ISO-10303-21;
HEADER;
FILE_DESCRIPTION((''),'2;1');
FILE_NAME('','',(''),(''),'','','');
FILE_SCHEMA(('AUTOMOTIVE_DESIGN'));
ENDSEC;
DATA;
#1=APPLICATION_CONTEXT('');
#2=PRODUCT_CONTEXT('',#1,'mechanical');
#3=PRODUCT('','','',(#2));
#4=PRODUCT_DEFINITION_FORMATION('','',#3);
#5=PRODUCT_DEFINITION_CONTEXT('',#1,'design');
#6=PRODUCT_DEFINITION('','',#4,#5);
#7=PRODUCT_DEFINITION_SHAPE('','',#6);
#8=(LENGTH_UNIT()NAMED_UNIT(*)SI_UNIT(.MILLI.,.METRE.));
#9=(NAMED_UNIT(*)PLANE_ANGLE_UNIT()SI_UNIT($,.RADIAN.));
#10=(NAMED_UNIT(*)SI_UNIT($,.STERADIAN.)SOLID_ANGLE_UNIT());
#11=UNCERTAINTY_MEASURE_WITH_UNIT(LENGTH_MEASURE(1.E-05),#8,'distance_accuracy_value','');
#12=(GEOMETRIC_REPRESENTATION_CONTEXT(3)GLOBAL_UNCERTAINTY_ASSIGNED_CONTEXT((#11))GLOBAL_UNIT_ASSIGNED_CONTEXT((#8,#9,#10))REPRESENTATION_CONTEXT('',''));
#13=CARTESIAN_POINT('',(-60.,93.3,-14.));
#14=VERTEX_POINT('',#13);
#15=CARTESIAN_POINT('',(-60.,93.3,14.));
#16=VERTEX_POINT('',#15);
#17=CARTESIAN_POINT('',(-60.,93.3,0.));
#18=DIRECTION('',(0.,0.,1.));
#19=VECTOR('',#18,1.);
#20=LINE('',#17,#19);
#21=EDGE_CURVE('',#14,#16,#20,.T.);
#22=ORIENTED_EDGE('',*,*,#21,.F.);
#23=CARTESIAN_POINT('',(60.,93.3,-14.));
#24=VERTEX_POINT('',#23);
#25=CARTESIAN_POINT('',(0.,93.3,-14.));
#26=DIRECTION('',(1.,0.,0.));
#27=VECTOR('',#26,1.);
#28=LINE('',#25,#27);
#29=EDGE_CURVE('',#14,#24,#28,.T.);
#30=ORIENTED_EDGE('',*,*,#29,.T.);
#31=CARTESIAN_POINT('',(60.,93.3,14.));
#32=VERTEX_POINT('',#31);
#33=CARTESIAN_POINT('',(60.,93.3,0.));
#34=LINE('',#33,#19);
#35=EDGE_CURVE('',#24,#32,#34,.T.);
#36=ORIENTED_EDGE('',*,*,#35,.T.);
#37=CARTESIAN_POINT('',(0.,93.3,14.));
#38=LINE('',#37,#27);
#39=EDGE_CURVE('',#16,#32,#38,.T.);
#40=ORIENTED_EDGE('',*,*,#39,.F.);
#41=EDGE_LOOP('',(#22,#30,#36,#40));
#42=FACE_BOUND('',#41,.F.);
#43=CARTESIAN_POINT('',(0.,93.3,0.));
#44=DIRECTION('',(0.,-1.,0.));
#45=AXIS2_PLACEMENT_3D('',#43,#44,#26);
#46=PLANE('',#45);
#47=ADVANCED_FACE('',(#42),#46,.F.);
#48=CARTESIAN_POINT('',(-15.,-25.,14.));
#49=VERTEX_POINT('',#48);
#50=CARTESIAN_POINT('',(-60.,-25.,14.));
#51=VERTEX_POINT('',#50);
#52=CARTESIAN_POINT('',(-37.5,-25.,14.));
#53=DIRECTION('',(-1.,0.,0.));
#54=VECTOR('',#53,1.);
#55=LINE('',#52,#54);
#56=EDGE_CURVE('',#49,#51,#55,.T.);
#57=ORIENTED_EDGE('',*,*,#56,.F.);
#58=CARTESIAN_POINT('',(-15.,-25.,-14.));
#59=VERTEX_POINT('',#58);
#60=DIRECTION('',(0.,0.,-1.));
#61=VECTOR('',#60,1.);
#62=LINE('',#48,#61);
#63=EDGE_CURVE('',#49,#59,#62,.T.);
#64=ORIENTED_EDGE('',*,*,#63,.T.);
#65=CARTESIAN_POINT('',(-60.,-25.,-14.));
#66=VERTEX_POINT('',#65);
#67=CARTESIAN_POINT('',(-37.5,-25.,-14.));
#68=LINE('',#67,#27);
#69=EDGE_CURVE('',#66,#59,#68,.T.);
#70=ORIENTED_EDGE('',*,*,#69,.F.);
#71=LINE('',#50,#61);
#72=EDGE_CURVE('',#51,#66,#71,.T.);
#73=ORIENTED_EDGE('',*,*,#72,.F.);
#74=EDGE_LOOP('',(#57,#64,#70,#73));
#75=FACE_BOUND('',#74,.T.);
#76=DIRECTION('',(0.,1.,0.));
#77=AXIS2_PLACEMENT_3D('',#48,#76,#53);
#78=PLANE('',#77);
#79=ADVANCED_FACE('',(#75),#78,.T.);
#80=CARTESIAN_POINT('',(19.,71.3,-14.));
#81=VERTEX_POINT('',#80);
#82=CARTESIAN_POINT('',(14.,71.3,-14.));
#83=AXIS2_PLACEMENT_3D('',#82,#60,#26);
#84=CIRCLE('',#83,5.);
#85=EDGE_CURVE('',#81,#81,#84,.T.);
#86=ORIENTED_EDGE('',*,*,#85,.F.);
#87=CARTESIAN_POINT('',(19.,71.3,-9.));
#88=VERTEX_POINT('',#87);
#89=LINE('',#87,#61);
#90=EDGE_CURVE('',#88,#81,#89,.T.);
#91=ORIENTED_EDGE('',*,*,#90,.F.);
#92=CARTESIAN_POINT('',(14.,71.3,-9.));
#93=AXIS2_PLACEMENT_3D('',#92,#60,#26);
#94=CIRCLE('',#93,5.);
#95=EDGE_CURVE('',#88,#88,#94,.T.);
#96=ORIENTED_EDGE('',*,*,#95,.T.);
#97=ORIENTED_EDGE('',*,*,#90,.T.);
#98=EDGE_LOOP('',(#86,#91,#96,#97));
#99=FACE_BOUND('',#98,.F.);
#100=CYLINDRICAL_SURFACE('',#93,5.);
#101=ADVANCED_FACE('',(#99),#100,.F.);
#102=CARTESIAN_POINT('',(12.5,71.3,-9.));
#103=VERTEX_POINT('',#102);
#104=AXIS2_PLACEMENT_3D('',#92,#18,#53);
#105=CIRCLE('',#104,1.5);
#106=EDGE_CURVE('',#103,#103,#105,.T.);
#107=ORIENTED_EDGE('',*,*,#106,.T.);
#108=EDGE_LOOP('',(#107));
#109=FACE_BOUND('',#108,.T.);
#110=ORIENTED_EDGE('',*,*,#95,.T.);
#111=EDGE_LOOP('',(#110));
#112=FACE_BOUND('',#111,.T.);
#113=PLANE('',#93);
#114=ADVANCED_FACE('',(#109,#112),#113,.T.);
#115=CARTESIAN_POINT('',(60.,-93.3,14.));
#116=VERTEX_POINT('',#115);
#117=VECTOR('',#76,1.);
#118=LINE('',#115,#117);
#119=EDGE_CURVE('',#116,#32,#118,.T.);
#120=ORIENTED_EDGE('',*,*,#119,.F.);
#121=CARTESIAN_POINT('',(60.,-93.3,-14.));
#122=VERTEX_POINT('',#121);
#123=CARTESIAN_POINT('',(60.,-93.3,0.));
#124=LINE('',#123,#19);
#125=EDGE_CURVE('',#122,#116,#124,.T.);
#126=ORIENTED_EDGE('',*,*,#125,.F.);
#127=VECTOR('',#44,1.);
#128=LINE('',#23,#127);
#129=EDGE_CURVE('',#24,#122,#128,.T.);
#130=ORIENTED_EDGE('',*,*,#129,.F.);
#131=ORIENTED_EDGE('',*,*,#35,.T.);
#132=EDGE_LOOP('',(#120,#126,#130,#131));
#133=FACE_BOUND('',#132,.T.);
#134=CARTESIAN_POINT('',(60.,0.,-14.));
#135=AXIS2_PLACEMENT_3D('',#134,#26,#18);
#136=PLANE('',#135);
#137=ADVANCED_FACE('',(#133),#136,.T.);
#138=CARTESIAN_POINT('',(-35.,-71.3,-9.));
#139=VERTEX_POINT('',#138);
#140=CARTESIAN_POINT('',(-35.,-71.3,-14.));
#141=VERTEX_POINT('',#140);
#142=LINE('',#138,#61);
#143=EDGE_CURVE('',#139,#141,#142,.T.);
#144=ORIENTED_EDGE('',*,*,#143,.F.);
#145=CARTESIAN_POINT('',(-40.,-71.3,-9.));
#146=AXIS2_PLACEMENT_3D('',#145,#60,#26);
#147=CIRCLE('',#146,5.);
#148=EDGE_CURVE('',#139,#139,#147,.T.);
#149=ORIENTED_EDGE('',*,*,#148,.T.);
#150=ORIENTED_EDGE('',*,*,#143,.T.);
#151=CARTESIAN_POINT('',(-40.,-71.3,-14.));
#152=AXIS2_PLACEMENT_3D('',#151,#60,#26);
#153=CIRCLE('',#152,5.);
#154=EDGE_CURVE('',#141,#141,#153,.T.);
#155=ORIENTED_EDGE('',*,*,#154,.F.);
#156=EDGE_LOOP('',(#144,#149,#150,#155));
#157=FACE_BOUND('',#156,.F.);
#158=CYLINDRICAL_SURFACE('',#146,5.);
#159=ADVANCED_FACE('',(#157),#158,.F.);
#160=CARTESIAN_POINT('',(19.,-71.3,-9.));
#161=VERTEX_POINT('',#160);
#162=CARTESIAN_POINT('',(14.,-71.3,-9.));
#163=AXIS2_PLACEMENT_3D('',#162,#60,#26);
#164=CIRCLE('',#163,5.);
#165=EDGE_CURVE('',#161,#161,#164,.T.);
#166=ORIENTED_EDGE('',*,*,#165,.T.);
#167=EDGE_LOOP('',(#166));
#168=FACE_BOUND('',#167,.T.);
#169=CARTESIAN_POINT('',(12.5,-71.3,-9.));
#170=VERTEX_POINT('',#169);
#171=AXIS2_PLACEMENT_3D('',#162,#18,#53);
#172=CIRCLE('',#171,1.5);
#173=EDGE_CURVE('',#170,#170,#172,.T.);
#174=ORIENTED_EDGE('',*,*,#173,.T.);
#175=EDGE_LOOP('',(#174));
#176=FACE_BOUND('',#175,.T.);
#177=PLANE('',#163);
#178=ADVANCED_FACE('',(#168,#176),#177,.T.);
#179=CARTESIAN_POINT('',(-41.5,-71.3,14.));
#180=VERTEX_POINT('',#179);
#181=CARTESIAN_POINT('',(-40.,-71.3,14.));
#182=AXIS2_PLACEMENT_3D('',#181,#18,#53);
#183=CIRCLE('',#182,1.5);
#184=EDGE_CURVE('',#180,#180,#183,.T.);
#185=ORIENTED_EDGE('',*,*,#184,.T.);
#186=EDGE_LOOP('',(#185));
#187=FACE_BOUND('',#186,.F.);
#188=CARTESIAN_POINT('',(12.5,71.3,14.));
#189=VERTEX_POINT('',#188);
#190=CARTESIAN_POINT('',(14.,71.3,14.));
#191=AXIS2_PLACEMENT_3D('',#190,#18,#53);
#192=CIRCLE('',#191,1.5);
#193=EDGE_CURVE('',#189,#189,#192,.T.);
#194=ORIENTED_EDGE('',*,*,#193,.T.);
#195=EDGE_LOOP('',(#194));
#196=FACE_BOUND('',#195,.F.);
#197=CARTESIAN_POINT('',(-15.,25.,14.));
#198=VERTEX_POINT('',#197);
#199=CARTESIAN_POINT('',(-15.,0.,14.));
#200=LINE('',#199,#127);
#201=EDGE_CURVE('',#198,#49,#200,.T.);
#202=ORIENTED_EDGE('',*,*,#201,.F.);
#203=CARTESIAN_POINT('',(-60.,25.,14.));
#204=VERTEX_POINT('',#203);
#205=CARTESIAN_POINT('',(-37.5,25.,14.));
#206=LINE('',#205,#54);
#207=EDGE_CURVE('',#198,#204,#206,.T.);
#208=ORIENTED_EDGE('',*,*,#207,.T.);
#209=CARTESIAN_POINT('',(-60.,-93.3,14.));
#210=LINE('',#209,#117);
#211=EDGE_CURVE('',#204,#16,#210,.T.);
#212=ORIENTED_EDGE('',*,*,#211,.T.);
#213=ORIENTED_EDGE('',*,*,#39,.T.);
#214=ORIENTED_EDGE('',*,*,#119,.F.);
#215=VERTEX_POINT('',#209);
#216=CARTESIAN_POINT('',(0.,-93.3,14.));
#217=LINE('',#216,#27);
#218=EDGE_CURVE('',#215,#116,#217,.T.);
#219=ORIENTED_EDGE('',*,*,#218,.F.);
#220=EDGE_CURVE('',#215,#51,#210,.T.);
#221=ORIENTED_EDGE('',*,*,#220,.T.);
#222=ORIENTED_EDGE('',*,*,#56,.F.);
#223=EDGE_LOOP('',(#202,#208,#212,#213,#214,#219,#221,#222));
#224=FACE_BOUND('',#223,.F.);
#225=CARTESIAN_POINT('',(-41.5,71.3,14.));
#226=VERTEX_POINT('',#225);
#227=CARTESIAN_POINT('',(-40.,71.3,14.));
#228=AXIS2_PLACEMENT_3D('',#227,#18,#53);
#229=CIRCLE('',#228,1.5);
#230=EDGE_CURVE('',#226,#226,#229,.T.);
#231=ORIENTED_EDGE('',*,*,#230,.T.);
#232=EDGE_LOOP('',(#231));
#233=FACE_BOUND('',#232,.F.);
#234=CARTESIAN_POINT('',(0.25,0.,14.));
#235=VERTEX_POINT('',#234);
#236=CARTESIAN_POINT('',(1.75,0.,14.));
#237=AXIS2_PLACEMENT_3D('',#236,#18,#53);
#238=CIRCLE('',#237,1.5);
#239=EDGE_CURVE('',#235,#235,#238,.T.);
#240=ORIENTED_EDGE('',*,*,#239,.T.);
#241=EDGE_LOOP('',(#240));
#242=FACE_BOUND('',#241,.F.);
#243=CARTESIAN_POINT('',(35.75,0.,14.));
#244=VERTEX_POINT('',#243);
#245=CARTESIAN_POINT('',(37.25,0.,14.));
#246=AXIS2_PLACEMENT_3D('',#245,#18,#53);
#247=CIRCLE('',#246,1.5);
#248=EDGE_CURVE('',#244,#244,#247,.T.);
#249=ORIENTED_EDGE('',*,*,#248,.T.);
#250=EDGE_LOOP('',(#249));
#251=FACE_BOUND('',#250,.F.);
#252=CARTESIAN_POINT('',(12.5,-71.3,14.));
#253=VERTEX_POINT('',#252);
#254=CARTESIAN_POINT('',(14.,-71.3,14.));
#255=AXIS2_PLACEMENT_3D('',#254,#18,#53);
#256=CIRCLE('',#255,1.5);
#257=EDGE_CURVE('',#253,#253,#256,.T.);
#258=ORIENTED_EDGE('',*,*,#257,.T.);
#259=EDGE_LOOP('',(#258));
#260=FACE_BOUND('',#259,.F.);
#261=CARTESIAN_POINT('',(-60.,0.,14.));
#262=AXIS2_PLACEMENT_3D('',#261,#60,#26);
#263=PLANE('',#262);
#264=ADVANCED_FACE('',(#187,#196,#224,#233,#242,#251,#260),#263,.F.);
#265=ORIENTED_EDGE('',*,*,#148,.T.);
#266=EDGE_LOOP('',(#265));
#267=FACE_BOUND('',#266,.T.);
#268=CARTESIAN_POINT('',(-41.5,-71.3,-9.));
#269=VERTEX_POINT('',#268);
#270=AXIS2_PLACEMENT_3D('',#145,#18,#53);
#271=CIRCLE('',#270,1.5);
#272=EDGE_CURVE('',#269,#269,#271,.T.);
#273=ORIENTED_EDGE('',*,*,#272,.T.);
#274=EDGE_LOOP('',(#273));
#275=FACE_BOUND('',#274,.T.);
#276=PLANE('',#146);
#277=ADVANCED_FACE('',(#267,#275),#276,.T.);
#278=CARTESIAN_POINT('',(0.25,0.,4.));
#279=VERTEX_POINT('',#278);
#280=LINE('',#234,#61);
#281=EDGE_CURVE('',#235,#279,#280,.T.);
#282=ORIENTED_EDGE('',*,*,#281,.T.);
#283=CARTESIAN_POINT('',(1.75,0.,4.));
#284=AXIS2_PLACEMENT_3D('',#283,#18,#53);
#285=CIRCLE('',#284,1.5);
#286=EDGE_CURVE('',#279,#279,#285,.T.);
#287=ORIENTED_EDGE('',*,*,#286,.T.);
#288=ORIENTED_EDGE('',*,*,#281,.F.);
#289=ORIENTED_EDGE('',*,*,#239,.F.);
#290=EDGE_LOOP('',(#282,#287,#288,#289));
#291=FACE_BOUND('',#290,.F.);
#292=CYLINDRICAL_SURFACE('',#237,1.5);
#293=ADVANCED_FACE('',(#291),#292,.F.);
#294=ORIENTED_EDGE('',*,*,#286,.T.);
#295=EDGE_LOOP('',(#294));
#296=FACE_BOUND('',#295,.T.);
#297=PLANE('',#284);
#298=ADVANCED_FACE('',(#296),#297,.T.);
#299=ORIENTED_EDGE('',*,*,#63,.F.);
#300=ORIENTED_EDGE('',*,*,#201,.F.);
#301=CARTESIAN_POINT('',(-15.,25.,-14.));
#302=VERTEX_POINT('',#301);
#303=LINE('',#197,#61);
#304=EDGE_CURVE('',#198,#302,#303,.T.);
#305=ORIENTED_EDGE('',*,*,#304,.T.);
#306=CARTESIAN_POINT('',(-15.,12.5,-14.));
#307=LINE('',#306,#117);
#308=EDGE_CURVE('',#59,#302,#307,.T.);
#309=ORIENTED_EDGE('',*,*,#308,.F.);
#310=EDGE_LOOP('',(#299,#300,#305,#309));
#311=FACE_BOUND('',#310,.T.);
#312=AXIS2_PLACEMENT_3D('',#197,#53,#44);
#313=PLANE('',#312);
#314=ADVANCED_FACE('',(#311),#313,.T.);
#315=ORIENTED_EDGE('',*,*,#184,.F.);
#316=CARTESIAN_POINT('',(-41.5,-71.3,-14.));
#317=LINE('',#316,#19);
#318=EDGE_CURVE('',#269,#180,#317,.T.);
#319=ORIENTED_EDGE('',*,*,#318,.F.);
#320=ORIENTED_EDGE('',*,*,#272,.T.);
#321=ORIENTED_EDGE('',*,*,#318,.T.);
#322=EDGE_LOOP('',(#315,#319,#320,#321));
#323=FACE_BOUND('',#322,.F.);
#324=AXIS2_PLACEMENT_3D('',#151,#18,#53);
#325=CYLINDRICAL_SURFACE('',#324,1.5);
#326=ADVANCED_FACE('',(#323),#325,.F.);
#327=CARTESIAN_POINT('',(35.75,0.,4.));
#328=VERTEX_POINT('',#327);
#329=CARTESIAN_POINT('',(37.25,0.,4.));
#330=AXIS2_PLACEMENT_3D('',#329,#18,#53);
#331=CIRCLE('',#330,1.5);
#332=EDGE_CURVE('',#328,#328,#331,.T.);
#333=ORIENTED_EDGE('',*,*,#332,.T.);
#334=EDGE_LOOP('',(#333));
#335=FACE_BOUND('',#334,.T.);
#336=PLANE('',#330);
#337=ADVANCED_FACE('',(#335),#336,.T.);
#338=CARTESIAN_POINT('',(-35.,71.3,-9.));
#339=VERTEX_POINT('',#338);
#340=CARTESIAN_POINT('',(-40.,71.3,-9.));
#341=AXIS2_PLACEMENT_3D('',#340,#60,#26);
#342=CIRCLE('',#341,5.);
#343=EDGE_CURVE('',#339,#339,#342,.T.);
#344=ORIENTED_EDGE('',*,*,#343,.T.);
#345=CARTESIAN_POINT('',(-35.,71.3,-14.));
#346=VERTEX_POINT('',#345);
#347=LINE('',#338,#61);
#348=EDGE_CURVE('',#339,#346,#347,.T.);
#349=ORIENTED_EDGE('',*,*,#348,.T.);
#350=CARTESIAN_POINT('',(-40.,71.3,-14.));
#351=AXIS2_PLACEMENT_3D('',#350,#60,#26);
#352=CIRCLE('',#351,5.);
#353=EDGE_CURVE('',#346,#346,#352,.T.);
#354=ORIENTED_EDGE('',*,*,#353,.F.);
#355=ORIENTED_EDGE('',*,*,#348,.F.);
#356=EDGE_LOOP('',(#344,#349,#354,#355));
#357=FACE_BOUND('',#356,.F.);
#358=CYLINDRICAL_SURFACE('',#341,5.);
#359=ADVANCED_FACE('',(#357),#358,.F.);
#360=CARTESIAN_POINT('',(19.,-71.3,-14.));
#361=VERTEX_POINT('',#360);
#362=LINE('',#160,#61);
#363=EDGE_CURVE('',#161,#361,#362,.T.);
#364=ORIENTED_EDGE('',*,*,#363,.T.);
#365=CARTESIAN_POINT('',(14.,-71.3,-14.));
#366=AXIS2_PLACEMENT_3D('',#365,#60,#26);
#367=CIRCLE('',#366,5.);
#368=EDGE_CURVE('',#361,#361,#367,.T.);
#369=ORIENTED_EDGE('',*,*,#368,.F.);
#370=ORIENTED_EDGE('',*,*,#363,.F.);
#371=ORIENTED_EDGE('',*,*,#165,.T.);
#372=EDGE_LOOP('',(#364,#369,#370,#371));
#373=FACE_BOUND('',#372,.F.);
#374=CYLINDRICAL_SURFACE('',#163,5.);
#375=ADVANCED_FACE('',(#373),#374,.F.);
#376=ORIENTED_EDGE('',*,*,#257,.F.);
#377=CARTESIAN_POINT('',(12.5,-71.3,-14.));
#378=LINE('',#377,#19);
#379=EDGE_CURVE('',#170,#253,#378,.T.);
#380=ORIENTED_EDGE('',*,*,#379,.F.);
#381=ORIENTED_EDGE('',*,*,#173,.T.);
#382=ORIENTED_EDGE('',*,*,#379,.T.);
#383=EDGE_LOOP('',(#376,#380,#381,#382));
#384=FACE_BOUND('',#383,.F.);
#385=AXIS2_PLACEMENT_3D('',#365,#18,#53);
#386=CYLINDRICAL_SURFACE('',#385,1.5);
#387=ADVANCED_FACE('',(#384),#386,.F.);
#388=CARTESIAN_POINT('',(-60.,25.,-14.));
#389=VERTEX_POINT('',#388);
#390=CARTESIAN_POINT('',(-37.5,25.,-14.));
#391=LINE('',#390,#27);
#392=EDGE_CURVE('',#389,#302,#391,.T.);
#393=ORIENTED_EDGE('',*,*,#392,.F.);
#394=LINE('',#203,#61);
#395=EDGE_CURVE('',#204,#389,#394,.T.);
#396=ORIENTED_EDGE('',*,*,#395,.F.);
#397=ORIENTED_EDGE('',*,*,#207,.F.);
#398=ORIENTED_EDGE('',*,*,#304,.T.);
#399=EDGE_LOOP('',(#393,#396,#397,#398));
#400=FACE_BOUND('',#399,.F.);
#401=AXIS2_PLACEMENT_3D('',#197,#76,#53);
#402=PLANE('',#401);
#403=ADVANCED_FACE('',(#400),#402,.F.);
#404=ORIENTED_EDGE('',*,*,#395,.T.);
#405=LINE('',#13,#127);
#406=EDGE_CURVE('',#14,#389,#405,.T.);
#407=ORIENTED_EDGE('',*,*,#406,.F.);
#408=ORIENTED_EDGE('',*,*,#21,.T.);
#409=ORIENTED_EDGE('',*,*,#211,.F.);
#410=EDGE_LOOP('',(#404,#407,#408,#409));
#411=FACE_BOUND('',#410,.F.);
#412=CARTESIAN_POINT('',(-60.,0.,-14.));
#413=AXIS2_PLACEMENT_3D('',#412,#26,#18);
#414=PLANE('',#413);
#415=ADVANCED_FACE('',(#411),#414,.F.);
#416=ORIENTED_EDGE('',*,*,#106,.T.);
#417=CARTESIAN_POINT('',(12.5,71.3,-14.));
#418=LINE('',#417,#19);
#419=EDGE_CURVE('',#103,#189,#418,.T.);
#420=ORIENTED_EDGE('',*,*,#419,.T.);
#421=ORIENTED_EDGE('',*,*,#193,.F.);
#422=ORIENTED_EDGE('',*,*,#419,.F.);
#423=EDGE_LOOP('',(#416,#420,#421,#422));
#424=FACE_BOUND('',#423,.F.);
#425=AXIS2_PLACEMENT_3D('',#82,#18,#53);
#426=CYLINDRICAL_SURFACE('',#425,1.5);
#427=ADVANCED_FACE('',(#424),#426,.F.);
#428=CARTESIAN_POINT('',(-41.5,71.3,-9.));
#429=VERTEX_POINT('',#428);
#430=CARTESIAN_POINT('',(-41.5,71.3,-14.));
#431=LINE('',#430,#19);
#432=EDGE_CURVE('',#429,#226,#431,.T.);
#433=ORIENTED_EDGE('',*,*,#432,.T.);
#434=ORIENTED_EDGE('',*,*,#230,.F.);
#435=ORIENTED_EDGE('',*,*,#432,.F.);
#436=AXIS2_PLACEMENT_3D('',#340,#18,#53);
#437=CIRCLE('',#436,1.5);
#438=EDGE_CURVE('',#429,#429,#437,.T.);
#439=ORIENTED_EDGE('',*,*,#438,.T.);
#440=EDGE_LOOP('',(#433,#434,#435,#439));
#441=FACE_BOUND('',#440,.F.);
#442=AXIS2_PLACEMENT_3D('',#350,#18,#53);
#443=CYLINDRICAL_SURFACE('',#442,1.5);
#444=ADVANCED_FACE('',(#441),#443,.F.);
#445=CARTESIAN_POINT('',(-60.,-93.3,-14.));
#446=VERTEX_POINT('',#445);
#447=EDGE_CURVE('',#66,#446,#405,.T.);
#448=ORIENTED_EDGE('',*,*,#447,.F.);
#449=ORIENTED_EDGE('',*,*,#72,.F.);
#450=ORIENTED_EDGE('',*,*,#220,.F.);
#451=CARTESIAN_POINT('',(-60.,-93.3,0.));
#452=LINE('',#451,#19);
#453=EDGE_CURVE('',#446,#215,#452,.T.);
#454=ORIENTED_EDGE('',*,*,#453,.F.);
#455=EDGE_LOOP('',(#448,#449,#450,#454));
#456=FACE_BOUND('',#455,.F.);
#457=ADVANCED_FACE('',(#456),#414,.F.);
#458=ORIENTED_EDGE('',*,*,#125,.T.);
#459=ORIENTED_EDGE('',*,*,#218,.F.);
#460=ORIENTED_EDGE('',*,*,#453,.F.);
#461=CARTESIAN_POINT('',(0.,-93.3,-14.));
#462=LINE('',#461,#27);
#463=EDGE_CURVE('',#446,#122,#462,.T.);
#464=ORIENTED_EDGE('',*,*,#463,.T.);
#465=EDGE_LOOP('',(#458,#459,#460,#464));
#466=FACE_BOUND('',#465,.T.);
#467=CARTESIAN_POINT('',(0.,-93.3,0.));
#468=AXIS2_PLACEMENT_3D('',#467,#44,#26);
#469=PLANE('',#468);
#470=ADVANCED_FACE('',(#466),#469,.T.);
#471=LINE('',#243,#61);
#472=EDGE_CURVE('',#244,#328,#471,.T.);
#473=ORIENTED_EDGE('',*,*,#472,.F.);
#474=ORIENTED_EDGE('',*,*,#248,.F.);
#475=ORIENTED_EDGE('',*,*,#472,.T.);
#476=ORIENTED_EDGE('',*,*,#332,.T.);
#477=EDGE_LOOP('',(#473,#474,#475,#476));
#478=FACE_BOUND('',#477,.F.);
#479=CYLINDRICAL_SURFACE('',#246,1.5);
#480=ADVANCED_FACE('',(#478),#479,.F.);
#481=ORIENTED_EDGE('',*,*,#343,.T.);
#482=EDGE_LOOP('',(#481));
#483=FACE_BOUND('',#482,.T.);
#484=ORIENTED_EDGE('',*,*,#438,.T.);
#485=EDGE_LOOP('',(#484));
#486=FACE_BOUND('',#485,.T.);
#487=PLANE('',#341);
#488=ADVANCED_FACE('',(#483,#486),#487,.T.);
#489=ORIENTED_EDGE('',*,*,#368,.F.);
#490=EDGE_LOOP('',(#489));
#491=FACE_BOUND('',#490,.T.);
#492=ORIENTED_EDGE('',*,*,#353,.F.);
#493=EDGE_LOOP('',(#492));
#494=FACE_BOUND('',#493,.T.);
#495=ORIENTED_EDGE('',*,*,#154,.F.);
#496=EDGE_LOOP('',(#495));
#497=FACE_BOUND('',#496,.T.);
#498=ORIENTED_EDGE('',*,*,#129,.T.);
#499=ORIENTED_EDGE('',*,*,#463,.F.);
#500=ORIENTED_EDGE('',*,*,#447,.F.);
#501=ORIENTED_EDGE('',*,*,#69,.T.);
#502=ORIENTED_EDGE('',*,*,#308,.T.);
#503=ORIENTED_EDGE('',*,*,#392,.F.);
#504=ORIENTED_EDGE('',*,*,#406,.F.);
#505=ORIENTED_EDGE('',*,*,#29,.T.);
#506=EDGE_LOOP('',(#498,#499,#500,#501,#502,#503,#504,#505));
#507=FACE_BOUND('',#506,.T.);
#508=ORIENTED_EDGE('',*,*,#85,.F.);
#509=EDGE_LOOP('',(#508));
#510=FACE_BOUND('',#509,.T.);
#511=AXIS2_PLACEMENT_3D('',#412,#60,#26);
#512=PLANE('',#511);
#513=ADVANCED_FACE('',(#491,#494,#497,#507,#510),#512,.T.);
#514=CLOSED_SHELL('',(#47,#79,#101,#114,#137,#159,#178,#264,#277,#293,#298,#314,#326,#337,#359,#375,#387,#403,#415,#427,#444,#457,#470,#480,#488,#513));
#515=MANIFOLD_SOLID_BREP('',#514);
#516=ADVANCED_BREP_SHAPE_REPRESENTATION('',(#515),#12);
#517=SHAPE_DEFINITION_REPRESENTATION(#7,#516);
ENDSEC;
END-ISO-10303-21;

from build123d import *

# Parameters (mm, degrees)
SKETCH_W         = 120
SKETCH_H         = 28
PAD_DEPTH        = 93.3
SKETCH001_R      = 1.5
POCKET_DEPTH     = 10
HOLE_D           = 3
HOLE_CBORE_D     = 10
HOLE_CBORE_DEPTH = 5
SKETCH003_W      = 45
SKETCH003_H      = 50
POCKET001_DEPTH  = 28.001


with BuildPart() as part:
    # Sketch → Pad (new body, symmetric)
    with BuildSketch(Plane.XZ):
        Rectangle(SKETCH_W, SKETCH_H)
    extrude(amount=PAD_DEPTH, both=True)

    # Sketch001 (on Face1 of Pad) → Pocket (cut)
    with BuildSketch(Plane(origin=(0, 0, 14), x_dir=(-1, 0, 0), z_dir=(0, 0, 1))):
        with Locations((-37.25, 0)):
            Circle(SKETCH001_R)
        with Locations((-1.75, 0)):
            Circle(SKETCH001_R)
    extrude(amount=-POCKET_DEPTH, mode=Mode.SUBTRACT)

    # Hole (through all)
    with Locations(Plane(origin=(0, 0, -14), x_dir=(1, 0, 0), z_dir=(0, 0, -1))):
        with Locations((-40, 71.3), (14, 71.3), (14, -71.3), (-40, -71.3)):
            CounterBoreHole(HOLE_D / 2, HOLE_CBORE_D / 2, HOLE_CBORE_DEPTH)

    # Sketch003 (on Face1 of Hole) → Pocket001 (cut, through all)
    with BuildSketch(Plane(origin=(0, 0, 14), x_dir=(-1, 0, 0), z_dir=(0, 0, 1))):
        with Locations((37.5, 0)):
            Rectangle(SKETCH003_W, SKETCH003_H)
    extrude(amount=-POCKET001_DEPTH, mode=Mode.SUBTRACT)


solid = part.part
